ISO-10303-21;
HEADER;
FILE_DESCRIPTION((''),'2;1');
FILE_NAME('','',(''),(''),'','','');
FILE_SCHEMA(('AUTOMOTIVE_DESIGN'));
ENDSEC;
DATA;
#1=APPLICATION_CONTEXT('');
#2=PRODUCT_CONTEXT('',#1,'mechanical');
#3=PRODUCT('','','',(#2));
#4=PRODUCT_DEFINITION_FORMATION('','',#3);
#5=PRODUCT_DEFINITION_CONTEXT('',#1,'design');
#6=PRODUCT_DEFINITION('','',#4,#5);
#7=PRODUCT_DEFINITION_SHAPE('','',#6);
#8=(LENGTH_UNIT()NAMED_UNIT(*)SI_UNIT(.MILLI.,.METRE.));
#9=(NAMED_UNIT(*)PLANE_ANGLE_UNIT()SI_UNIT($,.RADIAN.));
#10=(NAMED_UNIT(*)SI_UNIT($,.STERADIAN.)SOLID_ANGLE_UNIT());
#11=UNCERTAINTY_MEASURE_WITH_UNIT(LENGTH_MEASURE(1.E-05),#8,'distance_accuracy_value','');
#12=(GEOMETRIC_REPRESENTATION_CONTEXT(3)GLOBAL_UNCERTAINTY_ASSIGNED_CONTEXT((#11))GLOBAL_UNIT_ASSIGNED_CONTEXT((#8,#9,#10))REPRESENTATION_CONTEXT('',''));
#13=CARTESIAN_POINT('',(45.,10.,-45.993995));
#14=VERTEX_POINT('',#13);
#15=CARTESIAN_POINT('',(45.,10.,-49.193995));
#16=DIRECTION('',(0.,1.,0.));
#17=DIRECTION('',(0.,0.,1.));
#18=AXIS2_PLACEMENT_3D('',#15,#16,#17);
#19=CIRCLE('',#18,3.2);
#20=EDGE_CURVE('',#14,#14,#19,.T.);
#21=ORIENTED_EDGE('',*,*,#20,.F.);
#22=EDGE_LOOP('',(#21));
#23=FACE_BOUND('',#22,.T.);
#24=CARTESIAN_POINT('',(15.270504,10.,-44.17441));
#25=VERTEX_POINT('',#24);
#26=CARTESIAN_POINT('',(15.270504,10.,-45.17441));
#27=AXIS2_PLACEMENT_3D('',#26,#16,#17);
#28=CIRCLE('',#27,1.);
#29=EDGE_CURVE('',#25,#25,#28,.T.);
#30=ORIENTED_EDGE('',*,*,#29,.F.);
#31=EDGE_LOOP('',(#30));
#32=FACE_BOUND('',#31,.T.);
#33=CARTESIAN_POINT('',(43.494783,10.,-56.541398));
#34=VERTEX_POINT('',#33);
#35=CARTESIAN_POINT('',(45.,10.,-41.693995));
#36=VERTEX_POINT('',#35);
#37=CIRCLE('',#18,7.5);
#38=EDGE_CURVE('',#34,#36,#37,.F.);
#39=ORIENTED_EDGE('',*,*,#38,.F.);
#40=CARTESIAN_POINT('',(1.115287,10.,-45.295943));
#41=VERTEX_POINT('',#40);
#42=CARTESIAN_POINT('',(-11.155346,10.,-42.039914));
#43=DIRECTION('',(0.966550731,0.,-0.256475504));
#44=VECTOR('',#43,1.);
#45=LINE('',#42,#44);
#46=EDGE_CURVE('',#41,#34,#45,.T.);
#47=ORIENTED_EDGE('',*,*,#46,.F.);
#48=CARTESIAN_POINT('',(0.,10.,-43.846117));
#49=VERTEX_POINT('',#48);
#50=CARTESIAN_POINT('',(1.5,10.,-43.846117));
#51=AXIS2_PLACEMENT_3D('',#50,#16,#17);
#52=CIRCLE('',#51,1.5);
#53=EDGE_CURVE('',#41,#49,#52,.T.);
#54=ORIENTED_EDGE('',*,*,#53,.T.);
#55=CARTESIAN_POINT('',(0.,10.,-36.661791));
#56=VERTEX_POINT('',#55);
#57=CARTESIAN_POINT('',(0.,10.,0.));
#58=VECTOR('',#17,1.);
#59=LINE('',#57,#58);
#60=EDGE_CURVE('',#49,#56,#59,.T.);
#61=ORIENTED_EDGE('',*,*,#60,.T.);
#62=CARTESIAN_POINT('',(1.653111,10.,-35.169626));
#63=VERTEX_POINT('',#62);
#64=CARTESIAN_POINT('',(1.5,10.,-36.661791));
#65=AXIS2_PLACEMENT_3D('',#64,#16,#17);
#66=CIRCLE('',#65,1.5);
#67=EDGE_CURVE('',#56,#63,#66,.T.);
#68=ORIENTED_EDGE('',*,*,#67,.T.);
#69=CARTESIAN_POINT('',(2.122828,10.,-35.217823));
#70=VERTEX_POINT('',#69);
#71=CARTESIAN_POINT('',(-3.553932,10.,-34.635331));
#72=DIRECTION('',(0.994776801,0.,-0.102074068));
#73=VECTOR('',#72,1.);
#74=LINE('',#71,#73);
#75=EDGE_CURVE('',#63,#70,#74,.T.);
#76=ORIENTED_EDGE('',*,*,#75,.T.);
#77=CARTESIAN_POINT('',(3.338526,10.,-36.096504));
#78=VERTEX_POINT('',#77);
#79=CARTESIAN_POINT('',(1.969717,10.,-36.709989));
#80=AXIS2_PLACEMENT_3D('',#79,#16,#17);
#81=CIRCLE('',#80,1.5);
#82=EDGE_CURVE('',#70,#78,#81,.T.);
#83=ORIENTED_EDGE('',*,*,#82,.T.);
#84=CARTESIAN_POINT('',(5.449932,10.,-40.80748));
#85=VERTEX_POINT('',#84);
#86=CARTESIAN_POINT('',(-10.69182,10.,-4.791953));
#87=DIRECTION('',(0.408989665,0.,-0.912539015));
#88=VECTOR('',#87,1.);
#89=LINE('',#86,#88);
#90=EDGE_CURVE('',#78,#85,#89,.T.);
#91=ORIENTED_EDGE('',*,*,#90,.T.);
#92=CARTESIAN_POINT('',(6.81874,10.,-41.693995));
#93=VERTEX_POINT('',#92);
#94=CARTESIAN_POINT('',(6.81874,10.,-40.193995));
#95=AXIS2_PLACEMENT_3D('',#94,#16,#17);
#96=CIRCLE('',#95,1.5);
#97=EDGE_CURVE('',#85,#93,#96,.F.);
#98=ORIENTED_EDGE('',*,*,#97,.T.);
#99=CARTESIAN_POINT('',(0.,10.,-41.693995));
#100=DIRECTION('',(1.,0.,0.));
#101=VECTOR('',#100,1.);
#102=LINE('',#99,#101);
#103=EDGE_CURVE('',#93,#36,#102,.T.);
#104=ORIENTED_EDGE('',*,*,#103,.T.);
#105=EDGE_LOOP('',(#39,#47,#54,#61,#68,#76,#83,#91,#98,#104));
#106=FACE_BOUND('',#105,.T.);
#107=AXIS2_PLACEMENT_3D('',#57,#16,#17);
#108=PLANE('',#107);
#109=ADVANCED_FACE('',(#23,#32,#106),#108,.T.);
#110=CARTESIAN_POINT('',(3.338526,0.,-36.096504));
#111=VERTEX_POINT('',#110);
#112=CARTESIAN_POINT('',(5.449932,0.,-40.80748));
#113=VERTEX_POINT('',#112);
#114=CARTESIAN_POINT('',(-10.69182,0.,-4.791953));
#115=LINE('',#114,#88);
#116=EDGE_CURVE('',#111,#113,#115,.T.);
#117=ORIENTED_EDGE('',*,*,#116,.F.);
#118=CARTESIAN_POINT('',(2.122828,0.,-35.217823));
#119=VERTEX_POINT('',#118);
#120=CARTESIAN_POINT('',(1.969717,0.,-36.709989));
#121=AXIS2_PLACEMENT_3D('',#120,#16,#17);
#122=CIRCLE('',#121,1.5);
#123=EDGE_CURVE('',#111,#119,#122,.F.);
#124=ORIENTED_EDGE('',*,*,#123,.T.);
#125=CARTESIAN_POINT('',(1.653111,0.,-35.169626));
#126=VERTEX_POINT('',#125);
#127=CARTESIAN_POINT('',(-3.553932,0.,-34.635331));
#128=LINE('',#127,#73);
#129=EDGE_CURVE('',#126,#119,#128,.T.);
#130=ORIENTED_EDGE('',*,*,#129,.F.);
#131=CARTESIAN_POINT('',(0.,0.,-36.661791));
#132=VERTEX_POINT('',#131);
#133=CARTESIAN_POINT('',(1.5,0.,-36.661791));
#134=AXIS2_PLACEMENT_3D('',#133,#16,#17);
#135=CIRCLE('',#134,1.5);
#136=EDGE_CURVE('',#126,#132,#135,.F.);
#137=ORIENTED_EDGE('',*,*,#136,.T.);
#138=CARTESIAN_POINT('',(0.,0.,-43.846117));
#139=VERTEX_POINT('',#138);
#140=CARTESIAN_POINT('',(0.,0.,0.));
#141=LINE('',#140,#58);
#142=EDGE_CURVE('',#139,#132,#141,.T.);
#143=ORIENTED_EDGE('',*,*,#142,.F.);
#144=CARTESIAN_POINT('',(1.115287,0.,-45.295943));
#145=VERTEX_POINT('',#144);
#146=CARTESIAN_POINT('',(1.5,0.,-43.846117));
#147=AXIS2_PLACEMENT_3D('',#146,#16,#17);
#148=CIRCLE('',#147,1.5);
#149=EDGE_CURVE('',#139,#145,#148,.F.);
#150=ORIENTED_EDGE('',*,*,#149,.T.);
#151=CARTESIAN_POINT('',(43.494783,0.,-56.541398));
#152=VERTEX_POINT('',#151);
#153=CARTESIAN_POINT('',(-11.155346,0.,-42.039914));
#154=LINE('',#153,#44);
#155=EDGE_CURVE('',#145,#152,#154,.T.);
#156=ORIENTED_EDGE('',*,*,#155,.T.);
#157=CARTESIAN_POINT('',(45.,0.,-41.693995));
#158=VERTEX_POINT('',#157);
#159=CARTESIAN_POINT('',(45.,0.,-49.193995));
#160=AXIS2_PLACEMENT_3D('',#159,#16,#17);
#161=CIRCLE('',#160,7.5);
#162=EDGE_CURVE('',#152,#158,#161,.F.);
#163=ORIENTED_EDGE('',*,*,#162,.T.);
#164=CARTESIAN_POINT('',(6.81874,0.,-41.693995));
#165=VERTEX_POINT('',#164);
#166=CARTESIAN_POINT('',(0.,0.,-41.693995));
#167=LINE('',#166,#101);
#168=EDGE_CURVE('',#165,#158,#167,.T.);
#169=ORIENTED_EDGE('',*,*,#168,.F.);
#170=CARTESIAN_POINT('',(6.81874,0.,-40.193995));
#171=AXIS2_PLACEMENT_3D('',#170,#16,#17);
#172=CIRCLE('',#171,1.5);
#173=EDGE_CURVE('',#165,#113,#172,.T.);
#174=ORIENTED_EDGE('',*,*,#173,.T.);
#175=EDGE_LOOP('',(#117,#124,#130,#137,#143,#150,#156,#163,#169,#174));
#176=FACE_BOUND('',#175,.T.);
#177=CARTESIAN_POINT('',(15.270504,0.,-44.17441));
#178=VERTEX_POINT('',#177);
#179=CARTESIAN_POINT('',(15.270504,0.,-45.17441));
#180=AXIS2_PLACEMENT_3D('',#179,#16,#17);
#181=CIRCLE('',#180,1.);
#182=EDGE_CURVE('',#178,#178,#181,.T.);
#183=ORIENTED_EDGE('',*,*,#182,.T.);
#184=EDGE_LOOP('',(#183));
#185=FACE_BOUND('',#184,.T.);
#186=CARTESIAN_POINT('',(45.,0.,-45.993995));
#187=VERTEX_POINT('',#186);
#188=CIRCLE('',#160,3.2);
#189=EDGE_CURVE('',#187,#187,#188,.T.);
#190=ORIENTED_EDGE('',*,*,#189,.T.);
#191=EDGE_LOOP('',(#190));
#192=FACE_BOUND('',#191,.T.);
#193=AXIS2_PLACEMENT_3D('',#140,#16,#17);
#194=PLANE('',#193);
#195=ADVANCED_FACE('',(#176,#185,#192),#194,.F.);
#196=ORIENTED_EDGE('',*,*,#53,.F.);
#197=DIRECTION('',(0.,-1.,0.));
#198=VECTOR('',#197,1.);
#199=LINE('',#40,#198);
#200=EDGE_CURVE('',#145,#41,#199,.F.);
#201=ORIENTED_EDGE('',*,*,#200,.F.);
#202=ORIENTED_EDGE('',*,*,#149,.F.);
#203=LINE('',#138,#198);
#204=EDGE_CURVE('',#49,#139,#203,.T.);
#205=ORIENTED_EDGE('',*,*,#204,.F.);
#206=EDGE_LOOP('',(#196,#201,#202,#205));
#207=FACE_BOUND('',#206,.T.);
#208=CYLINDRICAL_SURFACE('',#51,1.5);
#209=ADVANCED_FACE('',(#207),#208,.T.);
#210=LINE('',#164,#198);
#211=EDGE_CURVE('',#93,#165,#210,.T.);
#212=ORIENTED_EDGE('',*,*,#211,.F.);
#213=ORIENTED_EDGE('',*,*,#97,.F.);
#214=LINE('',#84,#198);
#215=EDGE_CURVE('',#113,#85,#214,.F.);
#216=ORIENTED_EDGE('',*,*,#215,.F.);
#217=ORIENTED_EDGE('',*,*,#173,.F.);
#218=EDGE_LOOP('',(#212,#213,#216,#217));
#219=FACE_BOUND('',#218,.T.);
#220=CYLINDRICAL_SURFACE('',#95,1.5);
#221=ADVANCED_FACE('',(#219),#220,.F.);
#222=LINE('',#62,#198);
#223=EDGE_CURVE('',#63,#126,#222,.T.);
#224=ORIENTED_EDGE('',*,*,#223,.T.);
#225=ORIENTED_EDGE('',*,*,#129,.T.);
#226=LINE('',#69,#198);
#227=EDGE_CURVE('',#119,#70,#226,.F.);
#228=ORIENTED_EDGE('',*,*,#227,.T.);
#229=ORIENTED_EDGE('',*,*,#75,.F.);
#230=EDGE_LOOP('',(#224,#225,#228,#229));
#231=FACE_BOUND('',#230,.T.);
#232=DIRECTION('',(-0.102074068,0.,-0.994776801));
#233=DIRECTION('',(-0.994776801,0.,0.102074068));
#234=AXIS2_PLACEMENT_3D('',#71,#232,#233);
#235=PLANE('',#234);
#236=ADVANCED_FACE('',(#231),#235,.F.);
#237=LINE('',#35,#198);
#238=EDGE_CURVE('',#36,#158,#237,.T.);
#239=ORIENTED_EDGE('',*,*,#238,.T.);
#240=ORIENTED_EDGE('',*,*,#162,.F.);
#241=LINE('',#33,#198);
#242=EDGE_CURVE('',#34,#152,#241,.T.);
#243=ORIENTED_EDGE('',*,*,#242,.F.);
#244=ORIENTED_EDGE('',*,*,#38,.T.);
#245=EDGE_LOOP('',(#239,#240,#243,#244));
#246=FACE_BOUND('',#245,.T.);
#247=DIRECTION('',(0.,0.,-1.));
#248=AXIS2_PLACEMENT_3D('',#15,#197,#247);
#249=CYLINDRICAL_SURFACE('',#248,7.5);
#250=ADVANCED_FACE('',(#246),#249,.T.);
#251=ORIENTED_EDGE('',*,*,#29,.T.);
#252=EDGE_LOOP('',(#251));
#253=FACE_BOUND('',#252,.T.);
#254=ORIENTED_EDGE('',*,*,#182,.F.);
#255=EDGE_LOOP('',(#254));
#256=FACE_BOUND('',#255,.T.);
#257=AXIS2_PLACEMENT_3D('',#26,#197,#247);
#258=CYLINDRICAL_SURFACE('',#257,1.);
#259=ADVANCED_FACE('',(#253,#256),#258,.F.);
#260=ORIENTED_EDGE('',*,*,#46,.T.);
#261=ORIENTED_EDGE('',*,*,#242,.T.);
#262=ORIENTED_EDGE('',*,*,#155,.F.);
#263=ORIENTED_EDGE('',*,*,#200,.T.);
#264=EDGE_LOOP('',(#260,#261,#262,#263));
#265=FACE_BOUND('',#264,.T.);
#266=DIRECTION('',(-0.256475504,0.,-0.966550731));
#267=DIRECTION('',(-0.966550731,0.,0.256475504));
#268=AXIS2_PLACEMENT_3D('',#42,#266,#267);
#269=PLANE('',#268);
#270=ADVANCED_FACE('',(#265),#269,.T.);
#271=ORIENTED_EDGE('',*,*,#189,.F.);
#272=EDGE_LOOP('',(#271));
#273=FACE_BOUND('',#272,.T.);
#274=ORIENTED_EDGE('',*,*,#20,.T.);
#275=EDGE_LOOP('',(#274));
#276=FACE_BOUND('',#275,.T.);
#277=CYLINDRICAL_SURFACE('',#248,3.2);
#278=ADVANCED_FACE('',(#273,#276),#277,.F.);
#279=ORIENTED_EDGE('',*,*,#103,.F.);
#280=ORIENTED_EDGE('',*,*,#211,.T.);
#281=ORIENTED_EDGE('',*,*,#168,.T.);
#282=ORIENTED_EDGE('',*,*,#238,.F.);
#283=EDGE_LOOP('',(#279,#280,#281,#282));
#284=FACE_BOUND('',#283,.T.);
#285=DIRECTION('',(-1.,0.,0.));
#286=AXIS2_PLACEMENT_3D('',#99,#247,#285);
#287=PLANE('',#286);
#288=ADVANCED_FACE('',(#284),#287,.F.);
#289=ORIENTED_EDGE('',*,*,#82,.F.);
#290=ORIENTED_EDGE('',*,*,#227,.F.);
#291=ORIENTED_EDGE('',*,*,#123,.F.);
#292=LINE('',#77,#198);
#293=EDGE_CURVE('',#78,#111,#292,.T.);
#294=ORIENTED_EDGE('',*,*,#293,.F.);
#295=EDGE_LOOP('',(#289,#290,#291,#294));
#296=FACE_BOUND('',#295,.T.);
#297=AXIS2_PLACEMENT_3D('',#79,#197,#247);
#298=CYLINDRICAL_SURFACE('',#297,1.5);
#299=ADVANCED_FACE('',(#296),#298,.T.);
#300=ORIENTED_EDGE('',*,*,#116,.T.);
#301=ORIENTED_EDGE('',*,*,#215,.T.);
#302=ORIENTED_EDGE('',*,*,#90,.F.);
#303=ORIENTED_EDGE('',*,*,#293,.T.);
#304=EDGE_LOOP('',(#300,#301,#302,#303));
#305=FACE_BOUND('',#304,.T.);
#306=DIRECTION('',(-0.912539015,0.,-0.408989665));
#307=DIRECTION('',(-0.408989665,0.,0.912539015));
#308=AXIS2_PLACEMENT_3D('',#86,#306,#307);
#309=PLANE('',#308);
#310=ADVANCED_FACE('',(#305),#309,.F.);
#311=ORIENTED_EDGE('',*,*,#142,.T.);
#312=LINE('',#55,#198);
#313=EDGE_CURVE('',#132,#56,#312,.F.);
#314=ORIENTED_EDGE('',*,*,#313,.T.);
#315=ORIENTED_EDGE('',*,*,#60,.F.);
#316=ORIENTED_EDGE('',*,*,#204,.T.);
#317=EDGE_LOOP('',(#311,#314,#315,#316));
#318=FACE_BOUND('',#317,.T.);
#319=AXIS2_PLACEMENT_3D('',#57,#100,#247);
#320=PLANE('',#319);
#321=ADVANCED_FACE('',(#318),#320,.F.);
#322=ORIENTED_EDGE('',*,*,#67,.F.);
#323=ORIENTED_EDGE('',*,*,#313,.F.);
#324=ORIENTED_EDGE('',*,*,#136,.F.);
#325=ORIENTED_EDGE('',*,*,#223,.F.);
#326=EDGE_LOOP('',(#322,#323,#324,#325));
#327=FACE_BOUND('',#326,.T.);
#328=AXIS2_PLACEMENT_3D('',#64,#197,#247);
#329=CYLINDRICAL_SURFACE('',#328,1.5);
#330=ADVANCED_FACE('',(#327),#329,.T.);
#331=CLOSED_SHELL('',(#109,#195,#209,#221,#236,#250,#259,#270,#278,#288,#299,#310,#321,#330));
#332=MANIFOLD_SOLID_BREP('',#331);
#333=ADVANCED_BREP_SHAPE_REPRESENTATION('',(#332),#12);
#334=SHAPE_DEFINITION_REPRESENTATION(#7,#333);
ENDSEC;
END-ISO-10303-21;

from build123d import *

# Parameters (mm, degrees)
SKETCH1_R           = 3.2
SKETCH1_R_2         = 1
BOSS_EXTRUDE1_DEPTH = 10
FILLET1_R           = 1.5


with BuildPart() as part:
    # Sketch1 → Boss-Extrude1 (new body)
    with BuildSketch(Plane(origin=(0, 0, 0), x_dir=(1, 0, 0), z_dir=(0, 1, 0))):
        with BuildLine():
            Line((0, 45), (43.494782903, 56.541397673))
            ThreePointArc((43.494782903, 56.541397673), (52.461753069, 49.950461527), (45, 41.69399531))
            Line((45, 41.69399531), (5.847258058, 41.69399531))
            Line((5.847258058, 41.69399531), (2.984330404, 35.306222204))
            Line((2.984330404, 35.306222204), (0, 35))
            Line((0, 35), (0, 45))
        make_face()
        with Locations(Location((45, 49.19399531, 0), (0, 0, 270))):
            Circle(SKETCH1_R, mode=Mode.SUBTRACT)
        with Locations(Location((15.270504009, 45.174409747, 0), (0, 0, 270))):
            Circle(SKETCH1_R_2, mode=Mode.SUBTRACT)
    extrude(amount=BOSS_EXTRUDE1_DEPTH)

    # Fillet1
    fillet1_edges = [part.edges().sort_by_distance(p)[0] for p in [
        (5.847258058, 5, -41.69399531),
        (2.984330404, 5, -35.306222204),
        (0, 5, -35),
        (0, 5, -45),
    ]]
    fillet(fillet1_edges, radius=FILLET1_R)


solid = part.part
